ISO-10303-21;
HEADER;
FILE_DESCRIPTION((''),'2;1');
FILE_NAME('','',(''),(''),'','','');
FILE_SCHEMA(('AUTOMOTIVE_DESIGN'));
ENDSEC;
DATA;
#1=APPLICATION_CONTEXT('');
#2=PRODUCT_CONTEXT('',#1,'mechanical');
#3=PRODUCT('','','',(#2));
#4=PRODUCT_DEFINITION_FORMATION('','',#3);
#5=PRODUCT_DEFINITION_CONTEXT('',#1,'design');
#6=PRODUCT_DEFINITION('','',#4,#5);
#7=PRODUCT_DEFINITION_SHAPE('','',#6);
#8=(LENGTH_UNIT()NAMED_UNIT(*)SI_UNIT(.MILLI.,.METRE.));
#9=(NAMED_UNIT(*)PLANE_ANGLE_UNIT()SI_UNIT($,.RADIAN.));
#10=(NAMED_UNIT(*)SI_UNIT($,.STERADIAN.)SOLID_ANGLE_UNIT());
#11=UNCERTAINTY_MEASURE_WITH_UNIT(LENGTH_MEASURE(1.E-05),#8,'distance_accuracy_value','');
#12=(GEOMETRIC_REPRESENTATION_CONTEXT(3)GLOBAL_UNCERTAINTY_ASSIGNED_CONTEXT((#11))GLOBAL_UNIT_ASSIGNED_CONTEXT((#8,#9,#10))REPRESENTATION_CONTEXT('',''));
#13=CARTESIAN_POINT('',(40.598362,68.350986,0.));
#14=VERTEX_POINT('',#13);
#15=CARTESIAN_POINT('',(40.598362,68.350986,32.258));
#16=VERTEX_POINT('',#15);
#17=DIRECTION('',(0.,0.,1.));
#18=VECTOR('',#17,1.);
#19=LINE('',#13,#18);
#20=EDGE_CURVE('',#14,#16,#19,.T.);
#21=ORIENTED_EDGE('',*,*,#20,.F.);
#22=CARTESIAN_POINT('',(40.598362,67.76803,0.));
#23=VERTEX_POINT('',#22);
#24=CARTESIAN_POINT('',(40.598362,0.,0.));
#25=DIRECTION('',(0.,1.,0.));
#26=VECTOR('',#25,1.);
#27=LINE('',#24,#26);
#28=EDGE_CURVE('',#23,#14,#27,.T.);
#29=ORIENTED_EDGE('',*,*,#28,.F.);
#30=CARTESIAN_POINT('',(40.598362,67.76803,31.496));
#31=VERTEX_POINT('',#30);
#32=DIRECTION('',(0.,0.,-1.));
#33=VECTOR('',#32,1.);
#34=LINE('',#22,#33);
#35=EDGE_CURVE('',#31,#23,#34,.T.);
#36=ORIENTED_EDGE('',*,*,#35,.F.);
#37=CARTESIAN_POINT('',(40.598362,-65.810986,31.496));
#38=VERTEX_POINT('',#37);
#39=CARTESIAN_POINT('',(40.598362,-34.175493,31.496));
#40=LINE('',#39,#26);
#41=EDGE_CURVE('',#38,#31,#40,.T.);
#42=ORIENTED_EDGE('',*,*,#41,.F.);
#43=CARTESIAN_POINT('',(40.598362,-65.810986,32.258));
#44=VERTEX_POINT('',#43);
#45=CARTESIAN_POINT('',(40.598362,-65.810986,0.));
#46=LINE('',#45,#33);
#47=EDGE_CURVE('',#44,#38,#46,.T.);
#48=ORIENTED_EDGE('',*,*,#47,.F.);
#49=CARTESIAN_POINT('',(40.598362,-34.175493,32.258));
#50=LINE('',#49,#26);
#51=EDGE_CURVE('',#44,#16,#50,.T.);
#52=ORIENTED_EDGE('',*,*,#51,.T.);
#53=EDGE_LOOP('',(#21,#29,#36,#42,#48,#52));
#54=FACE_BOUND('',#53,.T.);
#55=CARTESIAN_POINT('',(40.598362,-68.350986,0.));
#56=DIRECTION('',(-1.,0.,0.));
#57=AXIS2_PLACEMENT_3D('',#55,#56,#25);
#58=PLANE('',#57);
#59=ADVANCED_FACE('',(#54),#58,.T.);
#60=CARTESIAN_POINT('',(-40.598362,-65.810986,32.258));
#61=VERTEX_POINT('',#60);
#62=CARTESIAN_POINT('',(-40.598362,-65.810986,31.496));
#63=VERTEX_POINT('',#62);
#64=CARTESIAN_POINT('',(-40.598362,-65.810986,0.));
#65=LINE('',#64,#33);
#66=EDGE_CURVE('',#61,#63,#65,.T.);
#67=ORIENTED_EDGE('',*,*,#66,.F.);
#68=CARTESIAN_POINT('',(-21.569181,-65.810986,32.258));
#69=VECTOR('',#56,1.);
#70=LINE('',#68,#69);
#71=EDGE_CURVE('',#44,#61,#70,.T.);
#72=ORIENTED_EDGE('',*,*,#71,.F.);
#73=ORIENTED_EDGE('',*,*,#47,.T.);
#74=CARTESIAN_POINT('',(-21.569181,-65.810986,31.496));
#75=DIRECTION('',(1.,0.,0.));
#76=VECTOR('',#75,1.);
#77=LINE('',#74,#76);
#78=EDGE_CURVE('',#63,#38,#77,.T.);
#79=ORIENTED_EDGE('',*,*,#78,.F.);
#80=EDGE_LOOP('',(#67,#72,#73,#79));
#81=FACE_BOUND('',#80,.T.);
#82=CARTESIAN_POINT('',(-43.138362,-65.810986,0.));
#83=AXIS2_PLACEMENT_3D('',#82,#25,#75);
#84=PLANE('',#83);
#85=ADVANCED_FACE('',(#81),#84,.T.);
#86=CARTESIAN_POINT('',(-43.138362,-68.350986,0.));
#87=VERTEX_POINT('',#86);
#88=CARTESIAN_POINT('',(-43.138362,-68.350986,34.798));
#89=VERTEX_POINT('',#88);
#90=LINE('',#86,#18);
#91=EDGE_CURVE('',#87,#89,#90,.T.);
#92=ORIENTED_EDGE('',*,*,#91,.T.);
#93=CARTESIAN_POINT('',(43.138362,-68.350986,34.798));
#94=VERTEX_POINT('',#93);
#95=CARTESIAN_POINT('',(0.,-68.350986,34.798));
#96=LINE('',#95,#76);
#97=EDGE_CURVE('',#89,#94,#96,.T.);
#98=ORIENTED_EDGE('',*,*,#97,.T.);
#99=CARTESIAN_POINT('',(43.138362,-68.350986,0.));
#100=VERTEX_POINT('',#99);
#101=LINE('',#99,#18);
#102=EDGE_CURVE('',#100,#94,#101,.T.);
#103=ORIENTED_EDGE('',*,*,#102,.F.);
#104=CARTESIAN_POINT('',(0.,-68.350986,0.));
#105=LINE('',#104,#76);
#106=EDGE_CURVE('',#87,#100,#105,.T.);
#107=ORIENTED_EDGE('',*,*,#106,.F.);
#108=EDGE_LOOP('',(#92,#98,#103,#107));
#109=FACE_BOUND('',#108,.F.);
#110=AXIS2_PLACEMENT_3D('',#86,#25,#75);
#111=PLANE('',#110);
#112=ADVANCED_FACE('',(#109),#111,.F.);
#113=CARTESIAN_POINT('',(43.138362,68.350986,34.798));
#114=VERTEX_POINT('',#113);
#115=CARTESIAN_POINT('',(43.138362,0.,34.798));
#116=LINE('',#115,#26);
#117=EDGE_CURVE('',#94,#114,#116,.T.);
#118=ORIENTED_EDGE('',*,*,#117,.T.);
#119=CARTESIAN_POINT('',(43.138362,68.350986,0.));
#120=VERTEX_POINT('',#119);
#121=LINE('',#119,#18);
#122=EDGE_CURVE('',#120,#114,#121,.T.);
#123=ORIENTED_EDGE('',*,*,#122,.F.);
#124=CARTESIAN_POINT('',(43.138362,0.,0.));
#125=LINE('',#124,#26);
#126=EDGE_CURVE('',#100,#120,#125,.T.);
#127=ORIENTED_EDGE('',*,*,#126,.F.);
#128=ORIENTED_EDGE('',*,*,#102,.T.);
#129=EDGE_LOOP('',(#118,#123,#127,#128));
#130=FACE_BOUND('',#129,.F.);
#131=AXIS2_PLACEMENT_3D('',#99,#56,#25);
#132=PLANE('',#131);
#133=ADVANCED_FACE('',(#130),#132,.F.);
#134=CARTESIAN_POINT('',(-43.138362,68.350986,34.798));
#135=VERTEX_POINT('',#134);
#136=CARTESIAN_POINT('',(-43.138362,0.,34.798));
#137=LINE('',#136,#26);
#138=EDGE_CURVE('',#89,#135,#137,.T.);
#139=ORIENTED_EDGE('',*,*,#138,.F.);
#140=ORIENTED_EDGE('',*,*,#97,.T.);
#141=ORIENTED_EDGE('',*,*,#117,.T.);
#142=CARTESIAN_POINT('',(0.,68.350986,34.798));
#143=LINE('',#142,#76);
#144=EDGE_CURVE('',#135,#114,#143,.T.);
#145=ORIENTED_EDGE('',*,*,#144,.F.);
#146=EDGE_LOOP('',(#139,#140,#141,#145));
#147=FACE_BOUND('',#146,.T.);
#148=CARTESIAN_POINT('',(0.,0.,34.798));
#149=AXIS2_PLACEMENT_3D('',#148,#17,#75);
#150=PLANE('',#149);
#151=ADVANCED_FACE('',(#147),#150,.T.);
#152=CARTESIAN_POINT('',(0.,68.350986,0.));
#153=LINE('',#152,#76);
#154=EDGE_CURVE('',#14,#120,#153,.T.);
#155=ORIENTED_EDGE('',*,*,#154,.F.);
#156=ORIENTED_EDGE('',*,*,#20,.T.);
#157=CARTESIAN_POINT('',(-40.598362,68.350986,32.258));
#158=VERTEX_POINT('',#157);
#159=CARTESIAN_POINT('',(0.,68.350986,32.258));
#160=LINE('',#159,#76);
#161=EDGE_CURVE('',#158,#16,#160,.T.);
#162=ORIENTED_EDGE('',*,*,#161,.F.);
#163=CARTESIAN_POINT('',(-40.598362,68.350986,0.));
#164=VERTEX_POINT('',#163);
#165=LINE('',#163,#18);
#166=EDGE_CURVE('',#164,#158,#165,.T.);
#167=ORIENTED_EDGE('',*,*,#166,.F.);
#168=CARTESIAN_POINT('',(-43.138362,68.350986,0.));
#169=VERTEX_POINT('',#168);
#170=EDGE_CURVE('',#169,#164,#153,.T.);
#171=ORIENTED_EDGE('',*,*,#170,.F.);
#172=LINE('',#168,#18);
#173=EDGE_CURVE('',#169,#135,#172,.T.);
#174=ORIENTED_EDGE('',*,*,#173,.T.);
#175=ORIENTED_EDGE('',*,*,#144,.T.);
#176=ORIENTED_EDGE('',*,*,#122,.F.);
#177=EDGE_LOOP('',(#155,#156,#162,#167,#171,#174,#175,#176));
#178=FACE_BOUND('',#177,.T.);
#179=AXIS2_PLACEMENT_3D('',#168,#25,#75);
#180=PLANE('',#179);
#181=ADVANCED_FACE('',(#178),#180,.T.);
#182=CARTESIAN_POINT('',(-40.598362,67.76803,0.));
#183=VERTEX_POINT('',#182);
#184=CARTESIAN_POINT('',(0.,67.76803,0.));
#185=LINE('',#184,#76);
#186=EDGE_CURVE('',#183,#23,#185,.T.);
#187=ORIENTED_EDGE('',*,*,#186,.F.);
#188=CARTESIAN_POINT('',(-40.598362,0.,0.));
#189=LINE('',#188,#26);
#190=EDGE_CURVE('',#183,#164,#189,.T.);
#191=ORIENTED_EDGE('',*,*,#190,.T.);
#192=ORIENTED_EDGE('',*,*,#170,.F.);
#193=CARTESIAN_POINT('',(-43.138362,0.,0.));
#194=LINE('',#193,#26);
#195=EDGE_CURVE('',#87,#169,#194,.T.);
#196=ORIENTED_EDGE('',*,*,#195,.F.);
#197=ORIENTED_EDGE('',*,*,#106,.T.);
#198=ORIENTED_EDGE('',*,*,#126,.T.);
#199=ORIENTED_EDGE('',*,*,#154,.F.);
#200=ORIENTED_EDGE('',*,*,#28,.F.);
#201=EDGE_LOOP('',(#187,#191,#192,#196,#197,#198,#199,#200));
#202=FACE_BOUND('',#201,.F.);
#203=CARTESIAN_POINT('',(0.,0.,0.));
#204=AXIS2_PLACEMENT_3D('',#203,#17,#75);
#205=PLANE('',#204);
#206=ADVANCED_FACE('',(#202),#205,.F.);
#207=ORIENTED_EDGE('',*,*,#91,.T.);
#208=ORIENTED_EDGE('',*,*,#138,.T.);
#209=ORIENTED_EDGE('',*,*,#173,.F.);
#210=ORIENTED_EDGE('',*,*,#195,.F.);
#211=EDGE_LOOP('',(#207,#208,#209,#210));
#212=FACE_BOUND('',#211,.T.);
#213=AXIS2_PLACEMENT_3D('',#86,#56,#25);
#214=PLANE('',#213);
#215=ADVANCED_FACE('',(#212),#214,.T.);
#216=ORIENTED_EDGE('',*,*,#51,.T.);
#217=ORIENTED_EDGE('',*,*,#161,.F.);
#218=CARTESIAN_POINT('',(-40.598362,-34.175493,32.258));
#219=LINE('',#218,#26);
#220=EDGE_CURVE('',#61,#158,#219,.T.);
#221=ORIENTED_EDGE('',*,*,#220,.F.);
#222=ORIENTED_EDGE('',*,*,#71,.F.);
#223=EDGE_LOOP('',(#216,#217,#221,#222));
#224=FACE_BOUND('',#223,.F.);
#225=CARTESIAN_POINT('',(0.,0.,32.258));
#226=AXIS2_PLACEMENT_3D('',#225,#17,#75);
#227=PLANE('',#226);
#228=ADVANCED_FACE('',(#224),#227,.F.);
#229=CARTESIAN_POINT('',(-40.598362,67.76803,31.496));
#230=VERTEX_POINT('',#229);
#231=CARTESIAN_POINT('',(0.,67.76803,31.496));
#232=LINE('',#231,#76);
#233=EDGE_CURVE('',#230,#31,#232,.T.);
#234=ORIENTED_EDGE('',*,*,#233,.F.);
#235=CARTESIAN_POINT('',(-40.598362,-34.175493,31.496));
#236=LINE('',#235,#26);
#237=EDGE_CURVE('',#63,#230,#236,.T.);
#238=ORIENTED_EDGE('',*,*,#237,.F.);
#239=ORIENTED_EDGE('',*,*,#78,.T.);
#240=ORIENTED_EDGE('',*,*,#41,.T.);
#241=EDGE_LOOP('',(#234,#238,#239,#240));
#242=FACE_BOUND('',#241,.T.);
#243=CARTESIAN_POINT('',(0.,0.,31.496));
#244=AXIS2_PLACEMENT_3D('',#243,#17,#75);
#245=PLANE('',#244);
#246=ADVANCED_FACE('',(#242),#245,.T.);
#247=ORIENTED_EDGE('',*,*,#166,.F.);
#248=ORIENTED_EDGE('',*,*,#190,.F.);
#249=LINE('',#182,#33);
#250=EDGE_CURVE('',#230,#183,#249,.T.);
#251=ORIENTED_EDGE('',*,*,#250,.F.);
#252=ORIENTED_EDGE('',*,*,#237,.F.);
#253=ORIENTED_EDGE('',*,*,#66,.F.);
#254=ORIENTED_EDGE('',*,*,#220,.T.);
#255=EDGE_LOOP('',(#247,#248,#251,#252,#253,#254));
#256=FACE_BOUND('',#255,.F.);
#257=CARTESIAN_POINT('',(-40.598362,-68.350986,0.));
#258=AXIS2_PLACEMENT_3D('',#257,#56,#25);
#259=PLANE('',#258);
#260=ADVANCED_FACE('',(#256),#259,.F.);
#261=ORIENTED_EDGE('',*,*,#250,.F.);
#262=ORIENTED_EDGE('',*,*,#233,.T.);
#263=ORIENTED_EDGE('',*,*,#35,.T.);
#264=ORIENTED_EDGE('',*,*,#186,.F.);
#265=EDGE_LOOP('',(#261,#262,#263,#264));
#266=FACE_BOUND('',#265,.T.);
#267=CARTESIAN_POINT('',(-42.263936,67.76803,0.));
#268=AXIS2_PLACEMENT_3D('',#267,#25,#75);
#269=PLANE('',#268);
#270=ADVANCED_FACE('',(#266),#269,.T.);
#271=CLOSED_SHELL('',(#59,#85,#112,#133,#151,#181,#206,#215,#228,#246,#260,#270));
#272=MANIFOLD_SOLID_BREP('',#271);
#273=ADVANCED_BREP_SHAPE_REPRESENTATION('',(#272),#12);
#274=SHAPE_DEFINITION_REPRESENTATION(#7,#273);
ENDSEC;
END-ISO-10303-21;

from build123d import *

# Parameters (mm, degrees)
F0_W     = 86.276724
F0_H     = 136.701972
F1_DEPTH = 34.798
F2_T     = -2.54
F3_W     = 84.527872
F3_H     = 135.53606
F4_DEPTH = 31.496


with BuildPart() as f1:
    # F0 (on Top) → F1 (new body)
    with BuildSketch(Plane.XY):
        Rectangle(F0_W, F0_H)
    extrude(amount=F1_DEPTH)

    # F2
    f2_openings = [f1.faces().sort_by_distance(p)[0] for p in [
        (0, 0, 0),
        (0, 68.350986, 17.399),
    ]]
    offset(amount=F2_T, openings=f2_openings)

    # F3 (on Top) → F4 (join)
    with BuildSketch(Plane.XY):
        Rectangle(F3_W, F3_H)
    extrude(amount=F4_DEPTH)


solid = f1.part
